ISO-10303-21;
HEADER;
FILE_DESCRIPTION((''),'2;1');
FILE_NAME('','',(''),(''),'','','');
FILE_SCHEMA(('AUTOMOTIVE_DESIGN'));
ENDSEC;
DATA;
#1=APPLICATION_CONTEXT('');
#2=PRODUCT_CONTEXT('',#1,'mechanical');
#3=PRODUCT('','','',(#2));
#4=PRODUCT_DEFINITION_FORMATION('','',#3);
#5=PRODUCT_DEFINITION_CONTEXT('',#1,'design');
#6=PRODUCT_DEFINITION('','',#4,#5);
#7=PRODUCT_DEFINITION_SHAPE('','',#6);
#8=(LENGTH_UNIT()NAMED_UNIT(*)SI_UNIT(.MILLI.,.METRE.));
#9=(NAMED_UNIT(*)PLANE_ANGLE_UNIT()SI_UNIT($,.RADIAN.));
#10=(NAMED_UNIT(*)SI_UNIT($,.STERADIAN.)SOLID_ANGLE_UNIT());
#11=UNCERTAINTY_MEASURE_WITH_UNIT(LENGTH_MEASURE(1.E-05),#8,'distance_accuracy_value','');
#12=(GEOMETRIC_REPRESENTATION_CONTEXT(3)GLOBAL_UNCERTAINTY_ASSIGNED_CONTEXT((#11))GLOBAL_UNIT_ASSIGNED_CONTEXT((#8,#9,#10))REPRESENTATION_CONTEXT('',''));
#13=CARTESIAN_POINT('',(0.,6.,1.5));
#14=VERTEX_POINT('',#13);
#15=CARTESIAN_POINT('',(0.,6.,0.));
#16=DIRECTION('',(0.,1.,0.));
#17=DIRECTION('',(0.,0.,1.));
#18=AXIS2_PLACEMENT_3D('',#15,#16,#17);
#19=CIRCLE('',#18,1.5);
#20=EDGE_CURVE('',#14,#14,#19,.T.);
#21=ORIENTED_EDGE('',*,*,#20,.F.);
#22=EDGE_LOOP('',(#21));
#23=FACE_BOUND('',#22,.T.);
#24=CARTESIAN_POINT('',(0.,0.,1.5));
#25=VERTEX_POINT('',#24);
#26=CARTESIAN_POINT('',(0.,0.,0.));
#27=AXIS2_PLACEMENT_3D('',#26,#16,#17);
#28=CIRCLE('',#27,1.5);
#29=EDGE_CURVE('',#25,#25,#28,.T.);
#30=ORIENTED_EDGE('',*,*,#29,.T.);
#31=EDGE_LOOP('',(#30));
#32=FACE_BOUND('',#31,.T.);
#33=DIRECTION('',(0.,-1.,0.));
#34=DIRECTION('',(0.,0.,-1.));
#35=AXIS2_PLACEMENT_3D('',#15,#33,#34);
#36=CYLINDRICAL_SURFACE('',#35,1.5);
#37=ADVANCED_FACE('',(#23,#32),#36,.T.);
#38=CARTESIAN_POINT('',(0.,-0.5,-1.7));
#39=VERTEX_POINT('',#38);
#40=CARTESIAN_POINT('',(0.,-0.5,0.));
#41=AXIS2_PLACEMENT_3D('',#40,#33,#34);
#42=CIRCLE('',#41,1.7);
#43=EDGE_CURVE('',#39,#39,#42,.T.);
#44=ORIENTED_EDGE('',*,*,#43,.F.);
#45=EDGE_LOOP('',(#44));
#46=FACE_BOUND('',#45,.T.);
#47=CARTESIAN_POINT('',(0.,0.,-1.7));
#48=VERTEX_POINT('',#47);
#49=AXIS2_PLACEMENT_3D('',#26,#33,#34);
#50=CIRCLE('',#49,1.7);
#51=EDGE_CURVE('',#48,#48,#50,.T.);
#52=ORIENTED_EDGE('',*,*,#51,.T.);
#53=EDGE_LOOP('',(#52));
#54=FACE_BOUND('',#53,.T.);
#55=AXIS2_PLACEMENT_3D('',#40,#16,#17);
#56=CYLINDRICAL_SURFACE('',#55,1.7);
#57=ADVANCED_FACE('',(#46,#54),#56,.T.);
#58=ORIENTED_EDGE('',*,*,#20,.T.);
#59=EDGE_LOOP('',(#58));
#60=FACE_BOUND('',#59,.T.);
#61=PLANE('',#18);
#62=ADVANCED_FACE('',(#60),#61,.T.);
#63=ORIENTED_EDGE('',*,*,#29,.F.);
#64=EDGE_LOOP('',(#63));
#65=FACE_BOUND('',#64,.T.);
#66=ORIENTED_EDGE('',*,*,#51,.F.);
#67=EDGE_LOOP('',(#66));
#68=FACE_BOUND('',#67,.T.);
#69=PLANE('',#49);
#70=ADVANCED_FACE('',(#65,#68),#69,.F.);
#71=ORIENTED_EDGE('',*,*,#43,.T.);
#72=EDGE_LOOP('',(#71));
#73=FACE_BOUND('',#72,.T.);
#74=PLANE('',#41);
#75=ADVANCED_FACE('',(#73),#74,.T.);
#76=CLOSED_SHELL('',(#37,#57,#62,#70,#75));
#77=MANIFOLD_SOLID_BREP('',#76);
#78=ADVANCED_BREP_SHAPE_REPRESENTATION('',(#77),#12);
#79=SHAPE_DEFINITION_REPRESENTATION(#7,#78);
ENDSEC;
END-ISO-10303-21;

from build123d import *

# Parameters (mm, degrees)
SKETCH1_R           = 1.5
BOSS_EXTRUDE1_DEPTH = 6
SKETCH2_R           = 1.7
BOSS_EXTRUDE2_DEPTH = 0.5


with BuildPart() as part:
    # Sketch1 → Boss-Extrude1 (new body)
    with BuildSketch(Plane(origin=(0, 0, 0), x_dir=(1, 0, 0), z_dir=(0, 1, 0))):
        with Locations(Location((0, 0, 0), (0, 0, 270))):
            Circle(SKETCH1_R)
    extrude(amount=BOSS_EXTRUDE1_DEPTH)

    # Sketch2 → Boss-Extrude2 (add)
    with BuildSketch(Plane.XZ):
        with Locations(Location((0, 0, 0), (0, 0, 270))):
            Circle(SKETCH2_R)
    extrude(amount=BOSS_EXTRUDE2_DEPTH)


solid = part.part
